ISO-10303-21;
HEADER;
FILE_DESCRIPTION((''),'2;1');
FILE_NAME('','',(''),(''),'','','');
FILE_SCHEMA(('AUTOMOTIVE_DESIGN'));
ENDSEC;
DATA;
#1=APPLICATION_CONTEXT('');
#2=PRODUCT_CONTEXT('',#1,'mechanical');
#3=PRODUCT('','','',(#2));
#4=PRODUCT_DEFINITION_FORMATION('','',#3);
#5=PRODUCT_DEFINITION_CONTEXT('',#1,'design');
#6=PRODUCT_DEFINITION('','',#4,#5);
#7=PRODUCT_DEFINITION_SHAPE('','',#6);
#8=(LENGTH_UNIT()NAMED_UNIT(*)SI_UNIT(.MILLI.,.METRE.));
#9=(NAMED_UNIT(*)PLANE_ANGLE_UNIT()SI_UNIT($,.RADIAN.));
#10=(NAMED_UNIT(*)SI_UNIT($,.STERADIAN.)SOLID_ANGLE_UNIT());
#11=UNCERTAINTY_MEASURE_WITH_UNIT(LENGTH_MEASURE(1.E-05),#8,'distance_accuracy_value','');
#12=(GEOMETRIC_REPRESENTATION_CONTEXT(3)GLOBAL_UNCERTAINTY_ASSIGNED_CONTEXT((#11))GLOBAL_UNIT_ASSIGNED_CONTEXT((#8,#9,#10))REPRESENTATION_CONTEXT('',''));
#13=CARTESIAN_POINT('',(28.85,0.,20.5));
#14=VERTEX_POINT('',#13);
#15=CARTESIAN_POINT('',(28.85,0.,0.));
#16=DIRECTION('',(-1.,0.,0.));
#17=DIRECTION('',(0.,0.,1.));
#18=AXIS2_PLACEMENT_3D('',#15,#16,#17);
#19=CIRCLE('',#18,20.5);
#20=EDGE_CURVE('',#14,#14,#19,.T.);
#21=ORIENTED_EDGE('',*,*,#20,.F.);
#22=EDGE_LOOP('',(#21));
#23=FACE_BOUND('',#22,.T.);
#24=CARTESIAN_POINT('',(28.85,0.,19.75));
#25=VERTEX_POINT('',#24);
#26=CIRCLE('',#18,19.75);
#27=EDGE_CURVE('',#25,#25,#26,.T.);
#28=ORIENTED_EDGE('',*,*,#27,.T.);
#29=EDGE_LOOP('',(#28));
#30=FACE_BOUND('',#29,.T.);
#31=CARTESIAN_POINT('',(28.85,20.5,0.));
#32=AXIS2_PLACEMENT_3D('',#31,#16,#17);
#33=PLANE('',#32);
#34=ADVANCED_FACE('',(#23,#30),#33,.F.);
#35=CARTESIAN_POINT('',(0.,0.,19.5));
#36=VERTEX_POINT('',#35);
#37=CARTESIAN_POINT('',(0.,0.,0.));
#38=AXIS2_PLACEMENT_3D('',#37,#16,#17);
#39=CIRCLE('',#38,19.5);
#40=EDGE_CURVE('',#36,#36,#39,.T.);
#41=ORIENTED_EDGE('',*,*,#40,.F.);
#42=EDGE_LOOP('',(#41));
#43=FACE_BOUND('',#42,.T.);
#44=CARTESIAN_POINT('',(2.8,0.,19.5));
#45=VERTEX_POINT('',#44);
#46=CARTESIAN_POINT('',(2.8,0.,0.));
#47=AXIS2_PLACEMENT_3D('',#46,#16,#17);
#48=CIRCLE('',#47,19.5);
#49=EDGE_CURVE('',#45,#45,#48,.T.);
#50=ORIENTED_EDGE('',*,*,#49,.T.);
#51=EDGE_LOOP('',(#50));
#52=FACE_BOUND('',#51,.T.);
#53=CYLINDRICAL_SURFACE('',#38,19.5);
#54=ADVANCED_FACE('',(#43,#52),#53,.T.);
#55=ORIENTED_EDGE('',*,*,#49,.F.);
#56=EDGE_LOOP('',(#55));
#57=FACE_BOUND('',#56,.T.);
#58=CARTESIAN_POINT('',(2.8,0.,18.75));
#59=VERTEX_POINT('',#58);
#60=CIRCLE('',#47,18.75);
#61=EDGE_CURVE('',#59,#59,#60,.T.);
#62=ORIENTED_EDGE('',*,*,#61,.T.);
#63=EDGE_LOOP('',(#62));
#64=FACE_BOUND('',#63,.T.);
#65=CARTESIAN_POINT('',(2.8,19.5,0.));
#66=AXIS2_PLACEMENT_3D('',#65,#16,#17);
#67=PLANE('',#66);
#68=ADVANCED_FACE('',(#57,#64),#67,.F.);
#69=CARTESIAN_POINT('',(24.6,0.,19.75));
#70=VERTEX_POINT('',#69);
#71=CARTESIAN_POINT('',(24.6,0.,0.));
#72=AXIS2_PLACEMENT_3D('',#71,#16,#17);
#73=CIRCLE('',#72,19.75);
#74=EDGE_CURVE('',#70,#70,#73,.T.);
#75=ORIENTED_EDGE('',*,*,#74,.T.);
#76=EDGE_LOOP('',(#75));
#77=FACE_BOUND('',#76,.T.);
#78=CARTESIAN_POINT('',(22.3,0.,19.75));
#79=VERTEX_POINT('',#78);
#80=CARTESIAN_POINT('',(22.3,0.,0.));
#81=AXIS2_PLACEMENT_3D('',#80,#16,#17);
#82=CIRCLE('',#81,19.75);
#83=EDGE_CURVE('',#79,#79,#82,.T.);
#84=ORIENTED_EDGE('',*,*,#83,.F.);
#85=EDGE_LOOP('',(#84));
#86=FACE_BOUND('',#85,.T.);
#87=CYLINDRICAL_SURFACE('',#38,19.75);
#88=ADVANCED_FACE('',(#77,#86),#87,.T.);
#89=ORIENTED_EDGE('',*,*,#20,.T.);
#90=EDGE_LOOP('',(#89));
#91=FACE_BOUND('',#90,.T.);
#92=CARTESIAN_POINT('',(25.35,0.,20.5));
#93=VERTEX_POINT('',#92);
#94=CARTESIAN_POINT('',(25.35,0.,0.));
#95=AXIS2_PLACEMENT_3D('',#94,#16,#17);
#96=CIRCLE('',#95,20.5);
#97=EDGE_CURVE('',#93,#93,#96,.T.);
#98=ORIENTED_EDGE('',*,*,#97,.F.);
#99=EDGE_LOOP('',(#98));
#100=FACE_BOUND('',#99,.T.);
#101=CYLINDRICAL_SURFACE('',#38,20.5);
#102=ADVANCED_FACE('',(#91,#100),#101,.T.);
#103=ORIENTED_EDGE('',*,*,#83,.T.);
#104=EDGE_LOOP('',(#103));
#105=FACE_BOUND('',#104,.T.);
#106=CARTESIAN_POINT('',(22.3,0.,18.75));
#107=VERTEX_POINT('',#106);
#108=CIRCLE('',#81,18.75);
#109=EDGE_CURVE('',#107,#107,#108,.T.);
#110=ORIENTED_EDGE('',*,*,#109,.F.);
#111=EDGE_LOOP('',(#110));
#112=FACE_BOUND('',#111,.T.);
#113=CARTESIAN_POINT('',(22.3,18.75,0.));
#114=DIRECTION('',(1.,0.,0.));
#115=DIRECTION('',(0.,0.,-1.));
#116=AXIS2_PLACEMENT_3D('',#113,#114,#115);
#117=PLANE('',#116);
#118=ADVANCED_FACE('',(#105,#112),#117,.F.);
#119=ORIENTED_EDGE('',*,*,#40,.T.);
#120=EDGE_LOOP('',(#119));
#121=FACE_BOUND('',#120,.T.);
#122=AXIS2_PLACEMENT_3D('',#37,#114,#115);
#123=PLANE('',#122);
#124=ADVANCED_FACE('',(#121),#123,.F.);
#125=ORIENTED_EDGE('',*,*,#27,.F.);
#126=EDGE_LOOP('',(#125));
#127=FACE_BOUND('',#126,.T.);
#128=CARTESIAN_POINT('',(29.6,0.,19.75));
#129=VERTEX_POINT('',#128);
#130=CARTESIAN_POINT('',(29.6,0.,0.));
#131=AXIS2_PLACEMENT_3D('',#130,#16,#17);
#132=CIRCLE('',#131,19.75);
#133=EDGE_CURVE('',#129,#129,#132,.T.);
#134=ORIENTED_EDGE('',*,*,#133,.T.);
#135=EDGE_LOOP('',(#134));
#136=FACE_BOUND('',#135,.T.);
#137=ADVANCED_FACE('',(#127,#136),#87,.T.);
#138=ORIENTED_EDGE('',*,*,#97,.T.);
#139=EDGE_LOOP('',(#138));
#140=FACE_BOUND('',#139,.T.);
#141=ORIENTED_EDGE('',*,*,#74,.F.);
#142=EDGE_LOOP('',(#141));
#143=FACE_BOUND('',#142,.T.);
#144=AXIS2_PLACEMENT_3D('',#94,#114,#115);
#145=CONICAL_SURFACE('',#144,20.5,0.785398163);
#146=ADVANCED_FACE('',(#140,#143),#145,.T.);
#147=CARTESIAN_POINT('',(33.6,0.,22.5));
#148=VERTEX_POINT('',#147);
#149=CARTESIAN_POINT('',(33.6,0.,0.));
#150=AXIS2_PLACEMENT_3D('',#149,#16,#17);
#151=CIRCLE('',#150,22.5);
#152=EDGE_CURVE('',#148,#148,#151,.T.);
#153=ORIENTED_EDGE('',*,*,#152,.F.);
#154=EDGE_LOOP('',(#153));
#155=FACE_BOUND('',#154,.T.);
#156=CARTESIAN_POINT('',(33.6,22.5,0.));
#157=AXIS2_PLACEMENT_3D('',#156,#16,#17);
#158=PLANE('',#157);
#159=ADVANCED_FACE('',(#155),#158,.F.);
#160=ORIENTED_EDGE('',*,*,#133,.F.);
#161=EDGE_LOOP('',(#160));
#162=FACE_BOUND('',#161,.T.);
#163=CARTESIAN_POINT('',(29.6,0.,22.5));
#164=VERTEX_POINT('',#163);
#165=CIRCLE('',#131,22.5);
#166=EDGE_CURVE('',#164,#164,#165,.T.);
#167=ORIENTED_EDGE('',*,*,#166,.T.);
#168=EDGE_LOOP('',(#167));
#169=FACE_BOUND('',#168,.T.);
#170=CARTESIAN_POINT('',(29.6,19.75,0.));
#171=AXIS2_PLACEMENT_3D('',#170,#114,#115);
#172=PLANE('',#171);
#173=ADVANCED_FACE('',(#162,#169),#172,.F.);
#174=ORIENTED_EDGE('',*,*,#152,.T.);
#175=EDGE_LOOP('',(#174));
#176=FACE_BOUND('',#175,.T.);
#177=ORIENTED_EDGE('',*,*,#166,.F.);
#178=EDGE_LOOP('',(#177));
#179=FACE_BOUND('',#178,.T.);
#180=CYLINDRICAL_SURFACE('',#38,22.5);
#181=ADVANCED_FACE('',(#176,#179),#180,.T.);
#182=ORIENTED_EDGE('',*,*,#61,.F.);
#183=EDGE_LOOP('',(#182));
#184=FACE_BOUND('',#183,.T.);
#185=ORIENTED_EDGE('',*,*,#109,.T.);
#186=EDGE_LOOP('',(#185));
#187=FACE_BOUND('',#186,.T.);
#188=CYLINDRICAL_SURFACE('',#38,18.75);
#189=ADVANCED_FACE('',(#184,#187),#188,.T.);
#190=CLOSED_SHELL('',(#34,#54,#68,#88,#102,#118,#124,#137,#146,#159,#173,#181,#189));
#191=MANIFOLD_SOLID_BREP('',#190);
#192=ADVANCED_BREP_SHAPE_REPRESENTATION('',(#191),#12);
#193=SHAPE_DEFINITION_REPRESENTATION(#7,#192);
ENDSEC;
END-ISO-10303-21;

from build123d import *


with BuildPart() as part:
    # Sketch1 → Revolve1 (revolve)
    with BuildSketch(Plane.XY):
        Polygon((0, 0), (33.6, 0), (33.6, 22.5), (29.6, 22.5), (29.6, 19.75), (28.85, 19.75), (28.85, 20.5), (25.35, 20.5), (24.6, 19.75), (22.3, 19.75), (22.3, 18.75), (2.8, 18.75), (2.8, 19.5), (0, 19.5), align=None)
    revolve(axis=Axis((0, 0, 0), (1, 0, 0)))


solid = part.part
